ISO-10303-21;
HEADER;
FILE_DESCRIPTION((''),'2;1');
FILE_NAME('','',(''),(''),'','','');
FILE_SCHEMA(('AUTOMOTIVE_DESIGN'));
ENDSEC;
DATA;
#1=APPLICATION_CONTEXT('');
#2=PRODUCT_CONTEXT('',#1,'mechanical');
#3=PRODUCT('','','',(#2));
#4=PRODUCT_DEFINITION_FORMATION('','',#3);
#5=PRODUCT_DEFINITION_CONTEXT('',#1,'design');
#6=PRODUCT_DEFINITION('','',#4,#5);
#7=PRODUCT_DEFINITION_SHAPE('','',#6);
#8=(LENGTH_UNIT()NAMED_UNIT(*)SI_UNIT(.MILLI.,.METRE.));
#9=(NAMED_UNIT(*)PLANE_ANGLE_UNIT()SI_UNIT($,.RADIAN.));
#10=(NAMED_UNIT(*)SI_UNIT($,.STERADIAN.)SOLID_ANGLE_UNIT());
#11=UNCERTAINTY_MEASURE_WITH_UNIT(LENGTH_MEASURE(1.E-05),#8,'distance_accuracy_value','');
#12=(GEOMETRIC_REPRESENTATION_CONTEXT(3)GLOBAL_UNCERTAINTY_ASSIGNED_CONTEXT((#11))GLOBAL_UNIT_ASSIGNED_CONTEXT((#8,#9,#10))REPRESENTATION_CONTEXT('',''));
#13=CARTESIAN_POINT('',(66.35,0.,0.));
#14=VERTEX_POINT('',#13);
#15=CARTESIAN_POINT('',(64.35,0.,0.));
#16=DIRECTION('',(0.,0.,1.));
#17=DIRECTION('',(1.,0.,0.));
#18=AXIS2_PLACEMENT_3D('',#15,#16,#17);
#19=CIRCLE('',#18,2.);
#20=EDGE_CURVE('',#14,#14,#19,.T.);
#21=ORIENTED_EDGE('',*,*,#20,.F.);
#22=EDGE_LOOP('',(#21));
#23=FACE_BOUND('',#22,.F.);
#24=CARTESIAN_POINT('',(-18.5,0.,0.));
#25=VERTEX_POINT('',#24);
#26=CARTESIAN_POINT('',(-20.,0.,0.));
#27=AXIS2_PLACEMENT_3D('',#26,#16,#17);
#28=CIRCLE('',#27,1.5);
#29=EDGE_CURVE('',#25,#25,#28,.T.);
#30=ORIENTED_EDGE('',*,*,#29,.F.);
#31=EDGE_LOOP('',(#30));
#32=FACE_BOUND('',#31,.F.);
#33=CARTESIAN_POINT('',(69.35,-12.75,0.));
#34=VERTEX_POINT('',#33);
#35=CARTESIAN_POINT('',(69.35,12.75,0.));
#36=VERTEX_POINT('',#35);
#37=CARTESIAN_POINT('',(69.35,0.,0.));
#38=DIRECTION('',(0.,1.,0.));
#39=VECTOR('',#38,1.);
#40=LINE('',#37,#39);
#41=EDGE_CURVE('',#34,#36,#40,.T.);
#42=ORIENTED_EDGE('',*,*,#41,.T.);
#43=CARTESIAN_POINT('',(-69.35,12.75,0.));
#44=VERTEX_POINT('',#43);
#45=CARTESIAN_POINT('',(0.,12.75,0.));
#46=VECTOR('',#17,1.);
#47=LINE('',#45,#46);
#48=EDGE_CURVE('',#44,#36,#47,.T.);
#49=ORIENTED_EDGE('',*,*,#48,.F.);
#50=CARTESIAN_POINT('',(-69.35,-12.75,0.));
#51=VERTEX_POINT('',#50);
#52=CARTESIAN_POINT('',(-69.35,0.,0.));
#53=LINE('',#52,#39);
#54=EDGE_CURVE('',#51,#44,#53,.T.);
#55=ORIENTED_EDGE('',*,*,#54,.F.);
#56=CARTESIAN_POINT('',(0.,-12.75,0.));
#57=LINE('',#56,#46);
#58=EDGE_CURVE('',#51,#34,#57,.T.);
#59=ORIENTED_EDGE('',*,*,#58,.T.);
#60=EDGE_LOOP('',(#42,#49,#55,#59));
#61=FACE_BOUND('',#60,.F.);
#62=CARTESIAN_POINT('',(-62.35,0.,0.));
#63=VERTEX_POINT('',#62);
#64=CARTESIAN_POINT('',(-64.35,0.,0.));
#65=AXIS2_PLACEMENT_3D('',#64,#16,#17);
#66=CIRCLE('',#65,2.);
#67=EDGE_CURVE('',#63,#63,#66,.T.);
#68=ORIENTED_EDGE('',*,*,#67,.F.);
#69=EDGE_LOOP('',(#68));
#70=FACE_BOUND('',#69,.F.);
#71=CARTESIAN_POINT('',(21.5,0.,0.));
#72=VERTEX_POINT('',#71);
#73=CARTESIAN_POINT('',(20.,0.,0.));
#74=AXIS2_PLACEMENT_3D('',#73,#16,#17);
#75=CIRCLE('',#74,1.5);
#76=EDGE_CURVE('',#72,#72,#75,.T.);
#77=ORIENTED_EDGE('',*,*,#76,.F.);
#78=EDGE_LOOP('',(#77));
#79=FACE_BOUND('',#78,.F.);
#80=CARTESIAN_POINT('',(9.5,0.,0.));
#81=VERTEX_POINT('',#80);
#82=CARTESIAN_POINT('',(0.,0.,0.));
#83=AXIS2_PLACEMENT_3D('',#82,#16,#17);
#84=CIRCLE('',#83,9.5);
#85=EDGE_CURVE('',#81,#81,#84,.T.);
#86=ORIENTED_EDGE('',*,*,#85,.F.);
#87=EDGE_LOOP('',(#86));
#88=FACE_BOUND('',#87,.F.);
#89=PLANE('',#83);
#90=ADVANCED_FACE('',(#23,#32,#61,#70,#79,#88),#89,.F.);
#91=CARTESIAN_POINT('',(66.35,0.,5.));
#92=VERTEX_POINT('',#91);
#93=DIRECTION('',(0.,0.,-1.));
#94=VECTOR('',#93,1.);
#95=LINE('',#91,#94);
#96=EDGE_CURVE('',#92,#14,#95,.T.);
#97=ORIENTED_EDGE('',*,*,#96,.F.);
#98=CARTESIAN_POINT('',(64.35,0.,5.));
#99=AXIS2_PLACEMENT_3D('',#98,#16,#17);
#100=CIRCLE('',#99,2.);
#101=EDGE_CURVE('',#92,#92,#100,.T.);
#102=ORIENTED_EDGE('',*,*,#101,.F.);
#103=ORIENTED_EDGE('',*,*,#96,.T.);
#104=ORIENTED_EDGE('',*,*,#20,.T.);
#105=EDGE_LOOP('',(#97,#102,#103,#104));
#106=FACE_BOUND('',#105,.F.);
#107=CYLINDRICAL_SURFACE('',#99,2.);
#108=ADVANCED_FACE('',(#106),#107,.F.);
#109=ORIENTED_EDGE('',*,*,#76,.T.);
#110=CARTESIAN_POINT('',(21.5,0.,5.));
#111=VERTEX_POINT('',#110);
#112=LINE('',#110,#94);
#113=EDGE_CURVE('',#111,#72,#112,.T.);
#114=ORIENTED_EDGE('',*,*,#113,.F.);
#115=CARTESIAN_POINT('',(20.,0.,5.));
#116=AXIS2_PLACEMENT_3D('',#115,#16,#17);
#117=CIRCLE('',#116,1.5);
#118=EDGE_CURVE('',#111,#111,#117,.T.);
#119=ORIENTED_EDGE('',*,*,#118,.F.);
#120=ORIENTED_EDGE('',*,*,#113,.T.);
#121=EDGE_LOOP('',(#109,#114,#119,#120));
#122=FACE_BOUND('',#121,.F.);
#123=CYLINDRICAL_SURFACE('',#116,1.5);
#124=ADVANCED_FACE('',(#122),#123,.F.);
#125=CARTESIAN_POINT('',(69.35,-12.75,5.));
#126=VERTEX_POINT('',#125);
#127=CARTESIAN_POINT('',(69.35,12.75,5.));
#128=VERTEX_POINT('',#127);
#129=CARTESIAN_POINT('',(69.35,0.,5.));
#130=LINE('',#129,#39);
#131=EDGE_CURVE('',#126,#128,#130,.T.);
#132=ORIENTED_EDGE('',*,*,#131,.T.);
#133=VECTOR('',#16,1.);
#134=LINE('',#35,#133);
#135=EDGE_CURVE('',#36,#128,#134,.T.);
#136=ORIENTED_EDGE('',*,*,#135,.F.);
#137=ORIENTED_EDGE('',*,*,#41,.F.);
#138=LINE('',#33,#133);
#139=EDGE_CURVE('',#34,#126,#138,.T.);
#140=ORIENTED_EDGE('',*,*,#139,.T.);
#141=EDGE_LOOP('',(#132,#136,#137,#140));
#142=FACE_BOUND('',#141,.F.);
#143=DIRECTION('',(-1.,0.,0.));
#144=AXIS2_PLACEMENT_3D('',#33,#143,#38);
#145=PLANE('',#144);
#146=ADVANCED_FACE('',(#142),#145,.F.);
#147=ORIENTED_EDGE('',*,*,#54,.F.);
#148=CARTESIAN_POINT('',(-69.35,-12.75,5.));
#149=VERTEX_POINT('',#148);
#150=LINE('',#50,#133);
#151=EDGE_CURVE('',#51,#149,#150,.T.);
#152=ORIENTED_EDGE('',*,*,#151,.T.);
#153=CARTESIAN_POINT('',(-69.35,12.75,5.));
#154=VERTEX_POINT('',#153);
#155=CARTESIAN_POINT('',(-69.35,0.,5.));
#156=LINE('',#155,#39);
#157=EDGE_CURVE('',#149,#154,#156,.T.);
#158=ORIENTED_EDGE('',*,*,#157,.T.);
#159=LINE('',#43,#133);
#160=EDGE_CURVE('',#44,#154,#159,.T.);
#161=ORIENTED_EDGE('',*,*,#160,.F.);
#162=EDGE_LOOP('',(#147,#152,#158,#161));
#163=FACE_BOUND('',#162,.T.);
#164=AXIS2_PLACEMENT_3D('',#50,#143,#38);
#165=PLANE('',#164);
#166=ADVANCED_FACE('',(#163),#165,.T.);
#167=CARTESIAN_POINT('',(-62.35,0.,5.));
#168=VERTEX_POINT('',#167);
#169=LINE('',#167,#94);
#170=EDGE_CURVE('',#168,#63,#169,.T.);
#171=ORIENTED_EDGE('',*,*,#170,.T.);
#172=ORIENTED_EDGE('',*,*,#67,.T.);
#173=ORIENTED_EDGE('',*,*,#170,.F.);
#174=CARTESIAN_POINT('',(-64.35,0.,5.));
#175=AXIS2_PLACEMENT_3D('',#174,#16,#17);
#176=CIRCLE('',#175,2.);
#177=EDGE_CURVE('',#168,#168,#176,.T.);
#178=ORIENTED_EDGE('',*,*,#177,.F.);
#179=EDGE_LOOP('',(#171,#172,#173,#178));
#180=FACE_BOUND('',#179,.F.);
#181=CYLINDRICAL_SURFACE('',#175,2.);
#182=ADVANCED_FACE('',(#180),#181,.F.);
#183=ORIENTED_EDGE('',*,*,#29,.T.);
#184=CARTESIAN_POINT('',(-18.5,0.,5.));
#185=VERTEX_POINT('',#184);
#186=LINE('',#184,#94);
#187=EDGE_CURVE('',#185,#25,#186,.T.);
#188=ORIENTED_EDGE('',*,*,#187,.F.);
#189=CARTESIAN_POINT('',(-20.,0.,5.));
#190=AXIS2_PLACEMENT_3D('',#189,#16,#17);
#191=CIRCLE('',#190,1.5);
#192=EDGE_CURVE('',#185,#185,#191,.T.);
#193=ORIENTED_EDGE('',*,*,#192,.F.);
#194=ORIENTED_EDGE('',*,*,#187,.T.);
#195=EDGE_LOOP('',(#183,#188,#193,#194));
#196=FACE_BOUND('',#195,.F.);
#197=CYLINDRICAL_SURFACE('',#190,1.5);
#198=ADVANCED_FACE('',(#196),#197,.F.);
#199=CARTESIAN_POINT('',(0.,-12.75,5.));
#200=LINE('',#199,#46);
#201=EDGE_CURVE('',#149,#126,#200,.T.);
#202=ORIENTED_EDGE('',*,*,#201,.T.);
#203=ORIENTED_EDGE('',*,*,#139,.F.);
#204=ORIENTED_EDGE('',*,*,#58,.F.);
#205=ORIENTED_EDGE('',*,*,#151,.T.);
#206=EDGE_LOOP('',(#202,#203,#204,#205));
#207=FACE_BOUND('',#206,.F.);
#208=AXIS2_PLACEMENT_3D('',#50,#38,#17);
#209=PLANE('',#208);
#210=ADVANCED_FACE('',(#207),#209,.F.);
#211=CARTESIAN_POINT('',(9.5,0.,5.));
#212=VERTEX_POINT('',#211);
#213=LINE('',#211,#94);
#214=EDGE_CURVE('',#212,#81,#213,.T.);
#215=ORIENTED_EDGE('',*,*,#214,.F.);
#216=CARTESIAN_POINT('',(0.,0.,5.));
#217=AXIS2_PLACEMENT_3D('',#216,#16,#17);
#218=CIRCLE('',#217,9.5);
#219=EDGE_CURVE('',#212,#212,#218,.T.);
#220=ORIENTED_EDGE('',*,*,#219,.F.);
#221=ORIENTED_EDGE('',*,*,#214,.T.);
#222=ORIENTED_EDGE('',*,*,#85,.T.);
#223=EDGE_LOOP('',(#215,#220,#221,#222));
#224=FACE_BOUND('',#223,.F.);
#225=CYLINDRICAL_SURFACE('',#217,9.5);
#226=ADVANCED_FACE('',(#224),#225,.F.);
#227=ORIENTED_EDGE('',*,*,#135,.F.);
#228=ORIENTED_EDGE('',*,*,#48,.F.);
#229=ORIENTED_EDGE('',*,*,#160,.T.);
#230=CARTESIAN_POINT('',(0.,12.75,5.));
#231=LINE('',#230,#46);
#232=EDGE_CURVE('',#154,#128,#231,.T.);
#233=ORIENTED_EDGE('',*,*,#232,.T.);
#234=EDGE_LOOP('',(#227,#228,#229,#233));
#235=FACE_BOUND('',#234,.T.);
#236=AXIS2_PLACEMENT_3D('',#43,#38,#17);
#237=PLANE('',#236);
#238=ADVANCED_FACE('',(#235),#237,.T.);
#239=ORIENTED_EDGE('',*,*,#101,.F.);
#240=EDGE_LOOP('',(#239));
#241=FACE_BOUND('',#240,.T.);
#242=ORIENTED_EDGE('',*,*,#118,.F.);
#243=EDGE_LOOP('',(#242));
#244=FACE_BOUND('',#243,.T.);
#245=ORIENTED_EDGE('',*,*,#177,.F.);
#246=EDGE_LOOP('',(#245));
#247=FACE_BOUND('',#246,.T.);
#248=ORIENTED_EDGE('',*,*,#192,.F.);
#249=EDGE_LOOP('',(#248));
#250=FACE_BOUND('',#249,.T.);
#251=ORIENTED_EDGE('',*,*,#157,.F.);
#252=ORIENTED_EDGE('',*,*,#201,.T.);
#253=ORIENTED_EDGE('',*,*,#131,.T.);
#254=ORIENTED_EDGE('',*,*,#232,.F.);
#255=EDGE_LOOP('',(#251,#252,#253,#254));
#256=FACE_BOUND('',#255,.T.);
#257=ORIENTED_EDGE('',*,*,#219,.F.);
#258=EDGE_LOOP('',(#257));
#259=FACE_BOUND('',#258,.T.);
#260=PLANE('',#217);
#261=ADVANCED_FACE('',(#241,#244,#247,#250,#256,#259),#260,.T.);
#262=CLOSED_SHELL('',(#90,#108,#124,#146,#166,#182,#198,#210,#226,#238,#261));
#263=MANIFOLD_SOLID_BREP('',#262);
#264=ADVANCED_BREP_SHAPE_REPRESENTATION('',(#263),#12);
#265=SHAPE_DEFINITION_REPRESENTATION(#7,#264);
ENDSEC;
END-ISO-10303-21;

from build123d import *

# Parameters (mm, degrees)
F0_W     = 138.7
F0_H     = 25.5
F1_DEPTH = 5
F2_R     = 9.5
F3_DEPTH = 25
F5_R     = 2
F5_R_2   = 1.5
F6_DEPTH = 25


with BuildPart() as f1:
    # F0 (on Top) → F1 (new body)
    with BuildSketch(Plane.XY):
        Rectangle(F0_W, F0_H)
    extrude(amount=F1_DEPTH)

    # F2 (on face) → F3 (cut)
    with BuildSketch(Plane.XY.offset(5)):
        Circle(F2_R)
    extrude(amount=-F3_DEPTH, mode=Mode.SUBTRACT)

    # F5 (on face) → F6 (cut)
    with BuildSketch(Plane.XY.offset(5)):
        with Locations((-64.35, 0)):
            Circle(F5_R)
        with Locations((64.35, 0)):
            Circle(F5_R)
        with Locations((20, 0)):
            Circle(F5_R_2)
        with Locations((-20, 0)):
            Circle(F5_R_2)
    extrude(amount=-F6_DEPTH, mode=Mode.SUBTRACT)


solid = f1.part
